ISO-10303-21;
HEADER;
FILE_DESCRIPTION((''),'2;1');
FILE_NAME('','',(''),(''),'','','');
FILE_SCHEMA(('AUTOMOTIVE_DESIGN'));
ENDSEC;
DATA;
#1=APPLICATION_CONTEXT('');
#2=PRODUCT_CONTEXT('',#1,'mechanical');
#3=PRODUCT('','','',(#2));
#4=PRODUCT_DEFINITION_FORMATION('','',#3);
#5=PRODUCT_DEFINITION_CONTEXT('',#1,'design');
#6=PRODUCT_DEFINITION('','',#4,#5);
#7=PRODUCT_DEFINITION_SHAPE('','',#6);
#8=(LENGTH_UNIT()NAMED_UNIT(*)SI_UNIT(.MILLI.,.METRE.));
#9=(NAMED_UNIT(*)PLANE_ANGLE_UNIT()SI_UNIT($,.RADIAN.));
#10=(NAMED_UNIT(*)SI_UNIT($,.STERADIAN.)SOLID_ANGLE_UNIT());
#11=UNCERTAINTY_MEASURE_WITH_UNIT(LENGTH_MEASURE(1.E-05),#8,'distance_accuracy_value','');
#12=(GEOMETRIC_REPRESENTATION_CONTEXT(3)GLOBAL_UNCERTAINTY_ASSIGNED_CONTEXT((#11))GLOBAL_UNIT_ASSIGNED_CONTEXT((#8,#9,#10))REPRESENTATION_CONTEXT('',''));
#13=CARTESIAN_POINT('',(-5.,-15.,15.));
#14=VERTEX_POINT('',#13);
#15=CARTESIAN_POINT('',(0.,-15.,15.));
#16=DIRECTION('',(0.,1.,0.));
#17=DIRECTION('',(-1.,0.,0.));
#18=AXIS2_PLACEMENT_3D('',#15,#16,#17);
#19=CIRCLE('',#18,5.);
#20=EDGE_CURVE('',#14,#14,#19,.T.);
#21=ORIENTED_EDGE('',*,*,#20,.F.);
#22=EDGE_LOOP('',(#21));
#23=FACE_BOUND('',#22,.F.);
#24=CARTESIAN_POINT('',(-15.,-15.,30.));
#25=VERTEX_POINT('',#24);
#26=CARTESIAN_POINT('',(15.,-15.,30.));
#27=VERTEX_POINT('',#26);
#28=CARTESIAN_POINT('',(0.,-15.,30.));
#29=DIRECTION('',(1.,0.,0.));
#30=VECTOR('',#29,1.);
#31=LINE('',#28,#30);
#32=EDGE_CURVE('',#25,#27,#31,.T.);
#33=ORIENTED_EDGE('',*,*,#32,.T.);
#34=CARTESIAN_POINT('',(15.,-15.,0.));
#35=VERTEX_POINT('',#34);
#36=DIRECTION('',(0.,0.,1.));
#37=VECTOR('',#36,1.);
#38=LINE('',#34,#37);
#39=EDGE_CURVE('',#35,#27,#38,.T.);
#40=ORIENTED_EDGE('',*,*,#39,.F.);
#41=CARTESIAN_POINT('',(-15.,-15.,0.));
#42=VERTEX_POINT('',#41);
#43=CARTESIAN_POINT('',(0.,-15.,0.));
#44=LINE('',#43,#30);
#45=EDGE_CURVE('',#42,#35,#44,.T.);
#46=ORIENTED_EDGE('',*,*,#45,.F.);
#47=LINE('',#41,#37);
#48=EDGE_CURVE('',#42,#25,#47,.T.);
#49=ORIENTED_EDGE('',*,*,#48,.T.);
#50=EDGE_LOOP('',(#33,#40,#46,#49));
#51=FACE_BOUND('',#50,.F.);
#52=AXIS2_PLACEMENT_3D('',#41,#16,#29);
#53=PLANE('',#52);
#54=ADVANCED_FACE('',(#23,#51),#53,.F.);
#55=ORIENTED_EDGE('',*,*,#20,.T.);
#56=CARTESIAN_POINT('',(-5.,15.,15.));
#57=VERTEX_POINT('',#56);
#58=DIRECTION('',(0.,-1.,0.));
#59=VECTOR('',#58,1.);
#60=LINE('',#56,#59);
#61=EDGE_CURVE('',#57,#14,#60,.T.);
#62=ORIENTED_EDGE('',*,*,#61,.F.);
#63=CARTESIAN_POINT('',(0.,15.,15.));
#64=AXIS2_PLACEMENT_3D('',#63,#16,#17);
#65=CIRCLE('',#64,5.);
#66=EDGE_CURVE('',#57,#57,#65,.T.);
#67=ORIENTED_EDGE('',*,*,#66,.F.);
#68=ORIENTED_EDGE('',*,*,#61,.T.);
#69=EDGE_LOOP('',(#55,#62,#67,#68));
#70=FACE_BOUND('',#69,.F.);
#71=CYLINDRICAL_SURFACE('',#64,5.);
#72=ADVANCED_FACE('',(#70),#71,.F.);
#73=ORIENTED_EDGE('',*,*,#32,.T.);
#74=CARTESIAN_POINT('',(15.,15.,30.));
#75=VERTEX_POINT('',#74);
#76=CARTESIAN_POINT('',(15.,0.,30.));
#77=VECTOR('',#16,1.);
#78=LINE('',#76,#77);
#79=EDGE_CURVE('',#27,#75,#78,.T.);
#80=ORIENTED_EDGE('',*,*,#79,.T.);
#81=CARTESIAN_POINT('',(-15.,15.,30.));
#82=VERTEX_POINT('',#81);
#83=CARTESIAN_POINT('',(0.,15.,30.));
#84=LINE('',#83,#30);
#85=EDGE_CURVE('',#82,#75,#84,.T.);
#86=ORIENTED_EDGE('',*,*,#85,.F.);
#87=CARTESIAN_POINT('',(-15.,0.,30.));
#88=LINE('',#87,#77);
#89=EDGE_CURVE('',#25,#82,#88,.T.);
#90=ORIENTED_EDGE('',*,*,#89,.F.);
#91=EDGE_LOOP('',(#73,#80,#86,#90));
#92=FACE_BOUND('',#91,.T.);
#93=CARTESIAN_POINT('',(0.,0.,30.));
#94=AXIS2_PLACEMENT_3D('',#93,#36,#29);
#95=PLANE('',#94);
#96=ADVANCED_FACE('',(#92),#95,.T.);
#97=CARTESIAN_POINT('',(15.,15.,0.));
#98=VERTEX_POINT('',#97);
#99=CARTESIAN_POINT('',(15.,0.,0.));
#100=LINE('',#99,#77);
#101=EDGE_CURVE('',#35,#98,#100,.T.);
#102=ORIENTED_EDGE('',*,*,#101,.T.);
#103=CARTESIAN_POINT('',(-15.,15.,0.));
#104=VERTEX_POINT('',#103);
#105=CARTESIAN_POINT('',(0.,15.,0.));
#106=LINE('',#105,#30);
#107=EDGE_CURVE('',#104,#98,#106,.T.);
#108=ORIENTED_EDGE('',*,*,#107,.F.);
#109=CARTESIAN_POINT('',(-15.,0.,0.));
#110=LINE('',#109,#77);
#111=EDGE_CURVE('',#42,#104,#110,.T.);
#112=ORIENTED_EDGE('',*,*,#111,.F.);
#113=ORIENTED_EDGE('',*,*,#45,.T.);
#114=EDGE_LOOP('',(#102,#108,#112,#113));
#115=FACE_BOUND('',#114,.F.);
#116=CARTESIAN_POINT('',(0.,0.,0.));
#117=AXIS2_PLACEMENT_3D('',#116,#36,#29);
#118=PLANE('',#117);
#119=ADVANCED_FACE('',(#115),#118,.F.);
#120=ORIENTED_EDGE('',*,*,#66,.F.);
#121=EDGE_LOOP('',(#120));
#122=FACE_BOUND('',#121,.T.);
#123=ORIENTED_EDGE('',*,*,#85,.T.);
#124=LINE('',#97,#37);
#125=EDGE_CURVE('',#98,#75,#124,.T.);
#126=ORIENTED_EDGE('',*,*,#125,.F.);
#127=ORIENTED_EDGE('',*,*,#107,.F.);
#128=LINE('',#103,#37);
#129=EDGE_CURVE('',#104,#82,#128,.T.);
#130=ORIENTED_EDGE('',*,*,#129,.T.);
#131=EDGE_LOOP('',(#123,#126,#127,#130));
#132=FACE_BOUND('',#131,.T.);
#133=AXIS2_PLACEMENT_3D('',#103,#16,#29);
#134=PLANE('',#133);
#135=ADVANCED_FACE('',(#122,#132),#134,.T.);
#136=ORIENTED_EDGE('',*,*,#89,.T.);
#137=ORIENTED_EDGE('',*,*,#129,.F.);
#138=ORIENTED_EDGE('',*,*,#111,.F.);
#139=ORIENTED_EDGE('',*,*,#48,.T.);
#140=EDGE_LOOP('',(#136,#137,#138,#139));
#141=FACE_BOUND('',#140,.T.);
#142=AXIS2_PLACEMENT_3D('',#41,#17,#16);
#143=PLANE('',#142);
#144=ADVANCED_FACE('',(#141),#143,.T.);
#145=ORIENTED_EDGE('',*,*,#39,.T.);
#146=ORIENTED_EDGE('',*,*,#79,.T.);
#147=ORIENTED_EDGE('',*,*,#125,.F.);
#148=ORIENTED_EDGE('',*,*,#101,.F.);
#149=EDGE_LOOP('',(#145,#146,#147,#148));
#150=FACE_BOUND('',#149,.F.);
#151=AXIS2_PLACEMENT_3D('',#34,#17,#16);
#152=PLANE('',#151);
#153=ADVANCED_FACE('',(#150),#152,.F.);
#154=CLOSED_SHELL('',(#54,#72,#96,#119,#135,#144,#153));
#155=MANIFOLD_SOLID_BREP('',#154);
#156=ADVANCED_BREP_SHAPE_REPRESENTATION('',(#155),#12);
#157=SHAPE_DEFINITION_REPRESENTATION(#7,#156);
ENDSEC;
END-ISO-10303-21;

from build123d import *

# Parameters (mm, degrees)
F0_W     = 30
F0_H     = 30
F1_DEPTH = 30
F2_R     = 5
F3_DEPTH = 30.001


with BuildPart() as f1:
    # F0 (on Top) → F1 (new body)
    with BuildSketch(Plane.XY):
        Rectangle(F0_W, F0_H)
    extrude(amount=F1_DEPTH)

    # F2 (on face) → F3 (cut, through all)
    with BuildSketch(Plane(origin=(0, 15, 0), x_dir=(-1, 0, 0), z_dir=(0, 1, 0))):
        with Locations((0, 15)):
            Circle(F2_R)
    extrude(amount=-F3_DEPTH, mode=Mode.SUBTRACT)


solid = f1.part
